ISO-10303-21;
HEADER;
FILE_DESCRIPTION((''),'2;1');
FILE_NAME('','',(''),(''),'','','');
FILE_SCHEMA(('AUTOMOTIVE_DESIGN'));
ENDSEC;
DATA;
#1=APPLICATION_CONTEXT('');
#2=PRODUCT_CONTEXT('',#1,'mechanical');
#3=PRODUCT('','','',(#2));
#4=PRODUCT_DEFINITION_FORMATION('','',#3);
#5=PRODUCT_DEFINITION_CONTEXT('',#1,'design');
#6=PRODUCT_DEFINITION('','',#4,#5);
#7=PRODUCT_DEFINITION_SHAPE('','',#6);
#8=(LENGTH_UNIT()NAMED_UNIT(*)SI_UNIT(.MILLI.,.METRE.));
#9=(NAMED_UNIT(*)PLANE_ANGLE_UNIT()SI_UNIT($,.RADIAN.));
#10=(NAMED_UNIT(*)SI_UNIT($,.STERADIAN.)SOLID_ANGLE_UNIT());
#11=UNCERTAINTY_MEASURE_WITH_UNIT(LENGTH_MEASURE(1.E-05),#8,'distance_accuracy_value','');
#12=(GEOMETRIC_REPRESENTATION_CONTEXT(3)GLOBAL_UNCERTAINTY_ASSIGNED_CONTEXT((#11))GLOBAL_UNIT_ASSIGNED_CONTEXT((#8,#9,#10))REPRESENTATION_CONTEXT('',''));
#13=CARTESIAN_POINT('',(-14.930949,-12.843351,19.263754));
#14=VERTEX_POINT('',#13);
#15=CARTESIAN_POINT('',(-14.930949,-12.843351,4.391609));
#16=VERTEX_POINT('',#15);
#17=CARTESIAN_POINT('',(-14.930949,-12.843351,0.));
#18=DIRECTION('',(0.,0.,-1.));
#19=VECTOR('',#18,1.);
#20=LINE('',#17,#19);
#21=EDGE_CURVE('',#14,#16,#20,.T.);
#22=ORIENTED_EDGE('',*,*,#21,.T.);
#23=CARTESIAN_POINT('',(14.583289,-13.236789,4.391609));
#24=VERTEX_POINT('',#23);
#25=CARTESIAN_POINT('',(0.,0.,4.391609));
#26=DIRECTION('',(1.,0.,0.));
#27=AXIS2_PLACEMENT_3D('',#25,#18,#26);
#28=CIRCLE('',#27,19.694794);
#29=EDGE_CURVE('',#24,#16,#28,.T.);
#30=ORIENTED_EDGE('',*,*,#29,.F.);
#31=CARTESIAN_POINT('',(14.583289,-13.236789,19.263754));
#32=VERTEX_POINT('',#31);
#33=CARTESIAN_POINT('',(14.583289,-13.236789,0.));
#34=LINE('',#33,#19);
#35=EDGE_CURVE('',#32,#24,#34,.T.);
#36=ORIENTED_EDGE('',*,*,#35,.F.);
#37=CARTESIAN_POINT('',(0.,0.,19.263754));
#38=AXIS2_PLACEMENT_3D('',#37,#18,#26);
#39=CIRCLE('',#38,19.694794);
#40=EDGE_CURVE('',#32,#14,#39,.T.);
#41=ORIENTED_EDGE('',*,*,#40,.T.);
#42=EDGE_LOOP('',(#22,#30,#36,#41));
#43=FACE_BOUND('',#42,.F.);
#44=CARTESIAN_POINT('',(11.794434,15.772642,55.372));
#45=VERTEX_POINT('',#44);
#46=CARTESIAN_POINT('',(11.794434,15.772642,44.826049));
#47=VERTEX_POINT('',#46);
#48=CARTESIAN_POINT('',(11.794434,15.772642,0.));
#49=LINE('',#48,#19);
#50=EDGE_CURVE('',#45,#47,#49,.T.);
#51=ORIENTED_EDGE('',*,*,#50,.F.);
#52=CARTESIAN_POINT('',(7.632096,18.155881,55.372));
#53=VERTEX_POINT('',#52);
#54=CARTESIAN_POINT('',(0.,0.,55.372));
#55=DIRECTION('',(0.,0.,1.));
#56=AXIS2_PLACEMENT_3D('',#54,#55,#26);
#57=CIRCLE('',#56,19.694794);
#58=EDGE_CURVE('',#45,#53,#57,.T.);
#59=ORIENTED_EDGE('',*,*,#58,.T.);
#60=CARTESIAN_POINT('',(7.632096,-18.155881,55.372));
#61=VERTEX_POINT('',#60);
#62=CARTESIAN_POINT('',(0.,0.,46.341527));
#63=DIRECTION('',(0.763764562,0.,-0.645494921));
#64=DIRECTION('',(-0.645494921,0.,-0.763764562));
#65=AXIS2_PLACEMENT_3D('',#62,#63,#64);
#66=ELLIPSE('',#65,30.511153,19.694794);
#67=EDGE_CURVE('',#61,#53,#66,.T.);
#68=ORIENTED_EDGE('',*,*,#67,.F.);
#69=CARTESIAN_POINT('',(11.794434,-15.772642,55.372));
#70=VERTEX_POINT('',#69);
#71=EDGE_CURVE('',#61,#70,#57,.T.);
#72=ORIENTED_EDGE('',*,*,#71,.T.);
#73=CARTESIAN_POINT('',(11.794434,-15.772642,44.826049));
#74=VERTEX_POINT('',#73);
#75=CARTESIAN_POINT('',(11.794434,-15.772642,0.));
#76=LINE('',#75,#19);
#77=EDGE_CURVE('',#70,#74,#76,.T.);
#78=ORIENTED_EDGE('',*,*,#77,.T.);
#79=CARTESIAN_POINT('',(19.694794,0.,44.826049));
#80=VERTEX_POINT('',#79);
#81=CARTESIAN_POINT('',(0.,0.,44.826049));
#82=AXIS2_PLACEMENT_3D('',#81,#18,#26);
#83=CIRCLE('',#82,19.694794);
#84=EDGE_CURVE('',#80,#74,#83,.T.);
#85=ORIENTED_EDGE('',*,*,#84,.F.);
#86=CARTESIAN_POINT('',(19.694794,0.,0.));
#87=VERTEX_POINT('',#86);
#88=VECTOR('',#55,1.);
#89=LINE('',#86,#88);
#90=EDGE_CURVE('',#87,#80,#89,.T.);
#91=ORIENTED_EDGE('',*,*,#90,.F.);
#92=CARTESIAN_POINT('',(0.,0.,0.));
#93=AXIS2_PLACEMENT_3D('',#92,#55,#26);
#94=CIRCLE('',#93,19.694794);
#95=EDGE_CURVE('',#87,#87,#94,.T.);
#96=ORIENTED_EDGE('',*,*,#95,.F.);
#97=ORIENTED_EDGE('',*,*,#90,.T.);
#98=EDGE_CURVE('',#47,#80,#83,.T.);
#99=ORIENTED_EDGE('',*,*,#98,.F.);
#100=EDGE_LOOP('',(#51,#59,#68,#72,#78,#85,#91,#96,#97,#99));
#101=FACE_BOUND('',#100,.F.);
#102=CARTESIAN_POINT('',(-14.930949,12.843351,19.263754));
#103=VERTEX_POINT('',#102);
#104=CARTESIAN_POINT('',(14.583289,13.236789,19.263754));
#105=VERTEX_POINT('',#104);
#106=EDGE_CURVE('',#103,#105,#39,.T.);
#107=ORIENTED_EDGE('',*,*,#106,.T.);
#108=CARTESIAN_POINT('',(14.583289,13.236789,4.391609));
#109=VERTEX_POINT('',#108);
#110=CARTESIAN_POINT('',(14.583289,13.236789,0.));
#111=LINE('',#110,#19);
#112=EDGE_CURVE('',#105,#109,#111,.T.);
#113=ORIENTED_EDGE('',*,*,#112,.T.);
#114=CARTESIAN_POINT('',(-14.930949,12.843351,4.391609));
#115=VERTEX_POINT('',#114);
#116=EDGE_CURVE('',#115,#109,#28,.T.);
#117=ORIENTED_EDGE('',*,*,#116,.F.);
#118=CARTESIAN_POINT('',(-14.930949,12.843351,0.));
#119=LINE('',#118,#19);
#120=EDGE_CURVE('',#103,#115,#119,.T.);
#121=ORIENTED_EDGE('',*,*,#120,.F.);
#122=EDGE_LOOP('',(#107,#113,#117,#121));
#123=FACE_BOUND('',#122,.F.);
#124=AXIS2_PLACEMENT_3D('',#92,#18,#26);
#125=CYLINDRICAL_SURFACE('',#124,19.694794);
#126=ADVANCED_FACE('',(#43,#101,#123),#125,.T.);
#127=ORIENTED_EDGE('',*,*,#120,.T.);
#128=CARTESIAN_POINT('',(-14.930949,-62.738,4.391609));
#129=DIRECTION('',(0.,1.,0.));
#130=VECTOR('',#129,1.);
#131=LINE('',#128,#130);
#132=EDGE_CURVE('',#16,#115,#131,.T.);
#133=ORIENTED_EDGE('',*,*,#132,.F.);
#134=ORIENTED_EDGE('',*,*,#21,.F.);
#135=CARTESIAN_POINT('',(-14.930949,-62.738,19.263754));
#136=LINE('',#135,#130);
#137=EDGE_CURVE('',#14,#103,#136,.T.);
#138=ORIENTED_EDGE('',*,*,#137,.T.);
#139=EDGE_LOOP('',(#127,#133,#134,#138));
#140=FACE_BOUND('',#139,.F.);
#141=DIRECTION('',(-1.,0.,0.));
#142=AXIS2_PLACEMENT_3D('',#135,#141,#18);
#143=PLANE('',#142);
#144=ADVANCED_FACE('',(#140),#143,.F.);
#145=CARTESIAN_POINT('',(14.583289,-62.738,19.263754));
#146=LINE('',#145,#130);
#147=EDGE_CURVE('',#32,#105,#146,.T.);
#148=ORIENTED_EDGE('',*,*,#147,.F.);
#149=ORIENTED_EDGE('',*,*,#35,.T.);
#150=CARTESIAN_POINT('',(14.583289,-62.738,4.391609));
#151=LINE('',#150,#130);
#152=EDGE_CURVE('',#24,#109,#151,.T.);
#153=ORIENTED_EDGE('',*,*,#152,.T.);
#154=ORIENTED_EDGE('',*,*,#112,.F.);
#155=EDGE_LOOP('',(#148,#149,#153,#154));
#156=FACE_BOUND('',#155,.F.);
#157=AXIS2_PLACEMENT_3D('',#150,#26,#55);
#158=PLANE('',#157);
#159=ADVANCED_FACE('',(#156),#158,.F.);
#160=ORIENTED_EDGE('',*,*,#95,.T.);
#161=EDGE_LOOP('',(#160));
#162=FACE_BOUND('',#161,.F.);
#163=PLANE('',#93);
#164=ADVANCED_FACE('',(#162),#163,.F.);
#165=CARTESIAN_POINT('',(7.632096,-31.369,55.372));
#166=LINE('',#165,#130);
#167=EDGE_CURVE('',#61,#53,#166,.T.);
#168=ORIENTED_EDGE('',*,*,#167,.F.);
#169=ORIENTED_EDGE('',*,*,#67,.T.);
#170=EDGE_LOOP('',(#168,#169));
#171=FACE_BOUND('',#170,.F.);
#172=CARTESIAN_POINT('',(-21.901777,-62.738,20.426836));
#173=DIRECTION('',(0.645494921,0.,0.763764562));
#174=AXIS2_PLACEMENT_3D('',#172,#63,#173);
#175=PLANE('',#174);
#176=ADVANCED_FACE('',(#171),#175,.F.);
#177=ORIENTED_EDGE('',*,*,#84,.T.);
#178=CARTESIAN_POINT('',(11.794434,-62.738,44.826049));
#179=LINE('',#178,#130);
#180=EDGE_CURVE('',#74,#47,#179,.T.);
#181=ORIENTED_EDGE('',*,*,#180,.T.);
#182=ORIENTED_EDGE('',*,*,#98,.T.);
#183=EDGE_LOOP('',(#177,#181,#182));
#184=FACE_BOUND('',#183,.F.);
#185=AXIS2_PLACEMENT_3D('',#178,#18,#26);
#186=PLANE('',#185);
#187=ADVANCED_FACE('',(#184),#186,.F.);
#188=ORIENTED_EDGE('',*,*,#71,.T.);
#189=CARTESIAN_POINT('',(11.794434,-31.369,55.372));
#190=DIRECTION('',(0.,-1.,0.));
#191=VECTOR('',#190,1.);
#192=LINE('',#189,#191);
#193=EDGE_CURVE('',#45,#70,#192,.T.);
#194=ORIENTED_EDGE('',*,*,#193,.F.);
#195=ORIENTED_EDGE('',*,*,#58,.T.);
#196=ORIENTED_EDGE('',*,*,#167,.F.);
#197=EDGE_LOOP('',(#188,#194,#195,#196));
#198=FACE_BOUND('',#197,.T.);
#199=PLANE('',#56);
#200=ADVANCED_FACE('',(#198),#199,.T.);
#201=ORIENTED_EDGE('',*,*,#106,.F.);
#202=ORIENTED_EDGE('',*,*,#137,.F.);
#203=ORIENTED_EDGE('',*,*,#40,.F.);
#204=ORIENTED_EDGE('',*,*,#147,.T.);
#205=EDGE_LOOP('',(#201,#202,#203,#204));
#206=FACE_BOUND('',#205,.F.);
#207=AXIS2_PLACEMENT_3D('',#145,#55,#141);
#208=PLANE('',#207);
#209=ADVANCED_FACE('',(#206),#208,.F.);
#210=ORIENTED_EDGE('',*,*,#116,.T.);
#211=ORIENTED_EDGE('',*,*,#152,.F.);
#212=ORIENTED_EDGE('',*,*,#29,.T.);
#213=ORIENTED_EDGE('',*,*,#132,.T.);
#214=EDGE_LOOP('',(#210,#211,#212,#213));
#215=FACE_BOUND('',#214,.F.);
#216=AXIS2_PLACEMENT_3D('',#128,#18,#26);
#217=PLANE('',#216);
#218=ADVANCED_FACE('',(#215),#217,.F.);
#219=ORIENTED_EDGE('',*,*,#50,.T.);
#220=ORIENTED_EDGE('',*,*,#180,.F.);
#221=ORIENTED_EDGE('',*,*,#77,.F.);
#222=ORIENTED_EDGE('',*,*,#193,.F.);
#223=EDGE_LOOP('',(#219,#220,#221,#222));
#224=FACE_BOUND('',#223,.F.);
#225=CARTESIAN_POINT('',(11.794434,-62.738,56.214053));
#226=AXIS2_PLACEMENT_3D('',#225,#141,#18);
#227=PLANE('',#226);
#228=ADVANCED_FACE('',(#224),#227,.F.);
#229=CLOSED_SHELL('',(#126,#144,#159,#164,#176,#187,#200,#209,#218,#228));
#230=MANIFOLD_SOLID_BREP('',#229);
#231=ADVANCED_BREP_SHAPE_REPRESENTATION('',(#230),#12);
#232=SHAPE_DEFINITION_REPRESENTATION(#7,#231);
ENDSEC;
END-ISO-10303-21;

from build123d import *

# Parameters (mm, degrees)
F0_R     = 19.694794
F1_DEPTH = 55.372
F4_DEPTH = 114.046
F6_DEPTH = 254


with BuildPart() as f1:
    # F0 (on Top) → F1 (new body)
    with BuildSketch(Plane.XY):
        Circle(F0_R)
    extrude(amount=F1_DEPTH)

    # F3 (on offset) → F4 (cut)
    with BuildSketch(Plane.XZ.offset(62.738)):
        Polygon((23.87774, 61.791748), (11.794434, 56.214053), (11.794434, 44.826049), (23.87774, 44.826049), align=None)
    extrude(amount=-F4_DEPTH, mode=Mode.SUBTRACT)

    # F5 (on offset) → F6 (cut)
    with BuildSketch(Plane.XZ.offset(62.738)):
        Polygon((-14.930949, 19.263754), (-14.930949, 14.383911), (-14.930949, 4.391609), (14.583289, 4.391609), (14.583289, 19.263754), align=None)
        Polygon((8.540357, 56.446675), (0, 56.446675), (-21.901777, 57.607204), (-21.901777, 20.426836), align=None)
    extrude(amount=-F6_DEPTH, mode=Mode.SUBTRACT)


solid = f1.part
